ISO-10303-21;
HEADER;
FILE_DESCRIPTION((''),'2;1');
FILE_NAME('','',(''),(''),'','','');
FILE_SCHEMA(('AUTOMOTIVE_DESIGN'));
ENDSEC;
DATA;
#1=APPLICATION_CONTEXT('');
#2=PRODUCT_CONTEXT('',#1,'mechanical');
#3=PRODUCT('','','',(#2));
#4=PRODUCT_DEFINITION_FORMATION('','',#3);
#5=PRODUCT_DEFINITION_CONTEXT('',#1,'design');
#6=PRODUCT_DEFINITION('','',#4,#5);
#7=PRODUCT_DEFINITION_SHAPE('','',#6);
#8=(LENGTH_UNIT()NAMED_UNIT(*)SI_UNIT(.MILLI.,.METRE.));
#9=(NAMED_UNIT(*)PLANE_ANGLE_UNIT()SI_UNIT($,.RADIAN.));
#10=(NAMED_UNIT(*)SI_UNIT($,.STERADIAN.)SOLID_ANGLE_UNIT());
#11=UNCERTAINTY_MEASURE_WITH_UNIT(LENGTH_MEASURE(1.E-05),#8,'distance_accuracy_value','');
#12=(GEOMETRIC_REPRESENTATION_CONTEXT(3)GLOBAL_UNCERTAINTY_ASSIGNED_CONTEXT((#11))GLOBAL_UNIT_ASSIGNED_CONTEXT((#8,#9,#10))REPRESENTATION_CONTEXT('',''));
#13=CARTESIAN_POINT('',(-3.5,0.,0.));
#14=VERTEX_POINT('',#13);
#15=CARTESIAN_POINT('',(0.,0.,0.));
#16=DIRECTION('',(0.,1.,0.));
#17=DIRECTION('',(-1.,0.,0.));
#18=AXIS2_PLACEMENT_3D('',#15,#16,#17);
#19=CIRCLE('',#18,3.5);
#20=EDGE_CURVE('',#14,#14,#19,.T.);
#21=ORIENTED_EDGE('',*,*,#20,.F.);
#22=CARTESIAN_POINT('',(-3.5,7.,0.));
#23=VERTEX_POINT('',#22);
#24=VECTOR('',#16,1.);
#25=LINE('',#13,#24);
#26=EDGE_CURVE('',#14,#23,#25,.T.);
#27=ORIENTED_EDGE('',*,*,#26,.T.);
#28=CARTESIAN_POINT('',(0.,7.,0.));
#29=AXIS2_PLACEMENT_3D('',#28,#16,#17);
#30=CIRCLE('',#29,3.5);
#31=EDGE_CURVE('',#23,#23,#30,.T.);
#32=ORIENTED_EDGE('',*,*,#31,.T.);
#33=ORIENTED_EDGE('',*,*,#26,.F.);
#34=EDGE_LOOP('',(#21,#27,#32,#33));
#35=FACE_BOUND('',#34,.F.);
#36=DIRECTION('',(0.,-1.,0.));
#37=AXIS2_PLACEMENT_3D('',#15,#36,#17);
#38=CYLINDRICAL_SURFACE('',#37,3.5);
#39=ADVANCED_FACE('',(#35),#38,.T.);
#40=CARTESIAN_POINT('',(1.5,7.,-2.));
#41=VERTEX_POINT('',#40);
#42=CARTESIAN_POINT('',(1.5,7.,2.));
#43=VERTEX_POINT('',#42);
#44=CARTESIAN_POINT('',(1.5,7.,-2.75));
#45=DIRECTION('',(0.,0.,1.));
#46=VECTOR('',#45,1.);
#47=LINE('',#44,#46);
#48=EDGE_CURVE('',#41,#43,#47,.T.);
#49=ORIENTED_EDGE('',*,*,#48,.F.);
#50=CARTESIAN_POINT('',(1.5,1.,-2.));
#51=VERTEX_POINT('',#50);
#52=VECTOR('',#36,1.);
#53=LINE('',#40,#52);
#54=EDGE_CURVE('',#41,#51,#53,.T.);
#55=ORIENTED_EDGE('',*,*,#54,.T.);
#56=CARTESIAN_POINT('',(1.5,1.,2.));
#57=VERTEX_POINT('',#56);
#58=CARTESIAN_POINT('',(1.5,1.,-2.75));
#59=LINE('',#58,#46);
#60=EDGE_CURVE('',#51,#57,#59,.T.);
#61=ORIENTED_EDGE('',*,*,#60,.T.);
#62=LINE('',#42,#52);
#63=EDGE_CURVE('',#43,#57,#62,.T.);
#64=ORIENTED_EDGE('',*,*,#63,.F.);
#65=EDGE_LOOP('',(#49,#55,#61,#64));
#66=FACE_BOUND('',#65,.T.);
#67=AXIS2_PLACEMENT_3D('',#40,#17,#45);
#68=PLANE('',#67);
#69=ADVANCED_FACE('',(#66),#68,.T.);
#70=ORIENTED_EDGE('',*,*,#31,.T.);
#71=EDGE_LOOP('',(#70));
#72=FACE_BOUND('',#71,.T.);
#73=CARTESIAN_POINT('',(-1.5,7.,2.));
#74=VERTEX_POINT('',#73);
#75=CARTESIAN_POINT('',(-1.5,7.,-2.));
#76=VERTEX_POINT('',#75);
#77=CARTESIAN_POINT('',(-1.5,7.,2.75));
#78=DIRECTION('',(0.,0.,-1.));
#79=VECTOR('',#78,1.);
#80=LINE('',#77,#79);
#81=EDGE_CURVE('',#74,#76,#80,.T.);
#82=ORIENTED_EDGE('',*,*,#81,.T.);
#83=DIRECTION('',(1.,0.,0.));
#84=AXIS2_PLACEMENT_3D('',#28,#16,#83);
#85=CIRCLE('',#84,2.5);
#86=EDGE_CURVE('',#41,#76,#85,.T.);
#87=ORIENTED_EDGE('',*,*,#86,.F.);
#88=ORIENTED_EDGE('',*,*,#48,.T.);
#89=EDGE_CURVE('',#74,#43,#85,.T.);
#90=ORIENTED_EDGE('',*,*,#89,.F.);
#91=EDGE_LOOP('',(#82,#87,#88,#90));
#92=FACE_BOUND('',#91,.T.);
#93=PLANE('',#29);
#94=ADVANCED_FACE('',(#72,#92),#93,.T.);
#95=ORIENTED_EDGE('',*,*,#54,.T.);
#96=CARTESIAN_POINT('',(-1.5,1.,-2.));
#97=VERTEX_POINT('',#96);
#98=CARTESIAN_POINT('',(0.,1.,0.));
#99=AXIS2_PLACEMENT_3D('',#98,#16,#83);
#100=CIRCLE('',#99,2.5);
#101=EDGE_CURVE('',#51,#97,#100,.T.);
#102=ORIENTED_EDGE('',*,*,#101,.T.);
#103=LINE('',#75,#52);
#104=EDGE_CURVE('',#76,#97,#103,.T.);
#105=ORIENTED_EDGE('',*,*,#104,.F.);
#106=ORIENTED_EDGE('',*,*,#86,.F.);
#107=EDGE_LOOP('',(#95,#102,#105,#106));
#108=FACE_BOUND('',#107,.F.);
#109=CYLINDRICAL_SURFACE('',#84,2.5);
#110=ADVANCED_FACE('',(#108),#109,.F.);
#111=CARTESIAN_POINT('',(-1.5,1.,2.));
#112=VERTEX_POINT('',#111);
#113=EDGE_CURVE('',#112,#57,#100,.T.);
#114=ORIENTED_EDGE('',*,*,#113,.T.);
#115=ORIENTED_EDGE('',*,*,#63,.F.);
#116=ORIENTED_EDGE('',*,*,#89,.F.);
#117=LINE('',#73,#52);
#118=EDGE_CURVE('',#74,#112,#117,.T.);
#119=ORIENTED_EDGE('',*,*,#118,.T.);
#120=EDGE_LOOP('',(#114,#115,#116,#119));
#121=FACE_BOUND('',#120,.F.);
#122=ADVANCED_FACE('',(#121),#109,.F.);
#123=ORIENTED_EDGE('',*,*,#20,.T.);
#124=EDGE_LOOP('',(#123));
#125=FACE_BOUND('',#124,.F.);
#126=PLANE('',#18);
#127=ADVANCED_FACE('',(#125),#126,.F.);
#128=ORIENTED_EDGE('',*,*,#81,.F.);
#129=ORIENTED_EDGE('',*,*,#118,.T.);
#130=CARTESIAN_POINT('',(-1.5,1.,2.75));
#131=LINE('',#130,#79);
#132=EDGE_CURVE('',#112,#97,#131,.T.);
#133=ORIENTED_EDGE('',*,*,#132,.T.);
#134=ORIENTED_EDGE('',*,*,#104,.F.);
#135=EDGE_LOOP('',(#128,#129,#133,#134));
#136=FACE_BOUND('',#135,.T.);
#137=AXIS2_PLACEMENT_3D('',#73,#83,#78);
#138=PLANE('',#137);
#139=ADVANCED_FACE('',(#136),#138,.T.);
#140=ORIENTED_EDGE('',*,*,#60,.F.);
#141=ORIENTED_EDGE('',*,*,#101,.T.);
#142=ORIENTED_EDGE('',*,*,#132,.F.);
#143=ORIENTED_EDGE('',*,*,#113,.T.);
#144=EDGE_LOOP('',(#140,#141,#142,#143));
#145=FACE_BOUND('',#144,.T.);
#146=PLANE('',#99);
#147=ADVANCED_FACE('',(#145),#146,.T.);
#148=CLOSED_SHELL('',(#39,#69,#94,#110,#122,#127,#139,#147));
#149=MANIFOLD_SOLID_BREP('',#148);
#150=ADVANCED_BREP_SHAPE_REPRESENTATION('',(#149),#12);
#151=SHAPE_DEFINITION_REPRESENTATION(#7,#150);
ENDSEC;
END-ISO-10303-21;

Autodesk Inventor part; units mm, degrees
ref_plane "YZ Plane" through (0, 0, 0) normal (1, 0, 0) x (0, 1, 0)
ref_plane "XZ Plane" through (0, 0, 0) normal (0, 1, 0) x (-1, 0, 0)
ref_plane "XY Plane" through (0, 0, 0) normal (0, 0, 1) x (1, 0, 0)
sketch "Sketch1" plane through (0, 0, 0) normal (0, 1, 0) x (-1, 0, 0)
  circle A0 centre (0, 0) radius 3.5
  dimension "d0" = 7
extrude "Extrusion1" add sketch "Sketch1" along normal blind 7
sketch "Sketch2" plane through (0, 7, 0) normal (0, 1, 0) x (1, 0, 0)
  circle A0 centre (0, 0) radius 2.5
  line L0 (1.5, -2.75) -> (-1.5, -2.75)
  line L1 (-1.5, -2.75) -> (-1.5, 2.75)
  line L2 (-1.5, 2.75) -> (1.5, 2.75)
  line L3 (1.5, 2.75) -> (1.5, -2.75)
  line L4 (1.5, -2.75) -> (-1.5, 2.75) construction
  line L5 (-1.5, -2.75) -> (1.5, 2.75) construction
  point P0 (1.5, -2)
  point P1 (1.5, 2)
  point P2 (-1.5, 2)
  point P3 (-1.5, -2)
  dimension "d3" = 5
  dimension "d4" = 3
  dimension "d5" = 5.5
extrude "Extrusion2" cut sketch "Sketch2" against normal blind 6 contours L3 A0 L1
properties part number "ozubeneKoleckoStepper"
